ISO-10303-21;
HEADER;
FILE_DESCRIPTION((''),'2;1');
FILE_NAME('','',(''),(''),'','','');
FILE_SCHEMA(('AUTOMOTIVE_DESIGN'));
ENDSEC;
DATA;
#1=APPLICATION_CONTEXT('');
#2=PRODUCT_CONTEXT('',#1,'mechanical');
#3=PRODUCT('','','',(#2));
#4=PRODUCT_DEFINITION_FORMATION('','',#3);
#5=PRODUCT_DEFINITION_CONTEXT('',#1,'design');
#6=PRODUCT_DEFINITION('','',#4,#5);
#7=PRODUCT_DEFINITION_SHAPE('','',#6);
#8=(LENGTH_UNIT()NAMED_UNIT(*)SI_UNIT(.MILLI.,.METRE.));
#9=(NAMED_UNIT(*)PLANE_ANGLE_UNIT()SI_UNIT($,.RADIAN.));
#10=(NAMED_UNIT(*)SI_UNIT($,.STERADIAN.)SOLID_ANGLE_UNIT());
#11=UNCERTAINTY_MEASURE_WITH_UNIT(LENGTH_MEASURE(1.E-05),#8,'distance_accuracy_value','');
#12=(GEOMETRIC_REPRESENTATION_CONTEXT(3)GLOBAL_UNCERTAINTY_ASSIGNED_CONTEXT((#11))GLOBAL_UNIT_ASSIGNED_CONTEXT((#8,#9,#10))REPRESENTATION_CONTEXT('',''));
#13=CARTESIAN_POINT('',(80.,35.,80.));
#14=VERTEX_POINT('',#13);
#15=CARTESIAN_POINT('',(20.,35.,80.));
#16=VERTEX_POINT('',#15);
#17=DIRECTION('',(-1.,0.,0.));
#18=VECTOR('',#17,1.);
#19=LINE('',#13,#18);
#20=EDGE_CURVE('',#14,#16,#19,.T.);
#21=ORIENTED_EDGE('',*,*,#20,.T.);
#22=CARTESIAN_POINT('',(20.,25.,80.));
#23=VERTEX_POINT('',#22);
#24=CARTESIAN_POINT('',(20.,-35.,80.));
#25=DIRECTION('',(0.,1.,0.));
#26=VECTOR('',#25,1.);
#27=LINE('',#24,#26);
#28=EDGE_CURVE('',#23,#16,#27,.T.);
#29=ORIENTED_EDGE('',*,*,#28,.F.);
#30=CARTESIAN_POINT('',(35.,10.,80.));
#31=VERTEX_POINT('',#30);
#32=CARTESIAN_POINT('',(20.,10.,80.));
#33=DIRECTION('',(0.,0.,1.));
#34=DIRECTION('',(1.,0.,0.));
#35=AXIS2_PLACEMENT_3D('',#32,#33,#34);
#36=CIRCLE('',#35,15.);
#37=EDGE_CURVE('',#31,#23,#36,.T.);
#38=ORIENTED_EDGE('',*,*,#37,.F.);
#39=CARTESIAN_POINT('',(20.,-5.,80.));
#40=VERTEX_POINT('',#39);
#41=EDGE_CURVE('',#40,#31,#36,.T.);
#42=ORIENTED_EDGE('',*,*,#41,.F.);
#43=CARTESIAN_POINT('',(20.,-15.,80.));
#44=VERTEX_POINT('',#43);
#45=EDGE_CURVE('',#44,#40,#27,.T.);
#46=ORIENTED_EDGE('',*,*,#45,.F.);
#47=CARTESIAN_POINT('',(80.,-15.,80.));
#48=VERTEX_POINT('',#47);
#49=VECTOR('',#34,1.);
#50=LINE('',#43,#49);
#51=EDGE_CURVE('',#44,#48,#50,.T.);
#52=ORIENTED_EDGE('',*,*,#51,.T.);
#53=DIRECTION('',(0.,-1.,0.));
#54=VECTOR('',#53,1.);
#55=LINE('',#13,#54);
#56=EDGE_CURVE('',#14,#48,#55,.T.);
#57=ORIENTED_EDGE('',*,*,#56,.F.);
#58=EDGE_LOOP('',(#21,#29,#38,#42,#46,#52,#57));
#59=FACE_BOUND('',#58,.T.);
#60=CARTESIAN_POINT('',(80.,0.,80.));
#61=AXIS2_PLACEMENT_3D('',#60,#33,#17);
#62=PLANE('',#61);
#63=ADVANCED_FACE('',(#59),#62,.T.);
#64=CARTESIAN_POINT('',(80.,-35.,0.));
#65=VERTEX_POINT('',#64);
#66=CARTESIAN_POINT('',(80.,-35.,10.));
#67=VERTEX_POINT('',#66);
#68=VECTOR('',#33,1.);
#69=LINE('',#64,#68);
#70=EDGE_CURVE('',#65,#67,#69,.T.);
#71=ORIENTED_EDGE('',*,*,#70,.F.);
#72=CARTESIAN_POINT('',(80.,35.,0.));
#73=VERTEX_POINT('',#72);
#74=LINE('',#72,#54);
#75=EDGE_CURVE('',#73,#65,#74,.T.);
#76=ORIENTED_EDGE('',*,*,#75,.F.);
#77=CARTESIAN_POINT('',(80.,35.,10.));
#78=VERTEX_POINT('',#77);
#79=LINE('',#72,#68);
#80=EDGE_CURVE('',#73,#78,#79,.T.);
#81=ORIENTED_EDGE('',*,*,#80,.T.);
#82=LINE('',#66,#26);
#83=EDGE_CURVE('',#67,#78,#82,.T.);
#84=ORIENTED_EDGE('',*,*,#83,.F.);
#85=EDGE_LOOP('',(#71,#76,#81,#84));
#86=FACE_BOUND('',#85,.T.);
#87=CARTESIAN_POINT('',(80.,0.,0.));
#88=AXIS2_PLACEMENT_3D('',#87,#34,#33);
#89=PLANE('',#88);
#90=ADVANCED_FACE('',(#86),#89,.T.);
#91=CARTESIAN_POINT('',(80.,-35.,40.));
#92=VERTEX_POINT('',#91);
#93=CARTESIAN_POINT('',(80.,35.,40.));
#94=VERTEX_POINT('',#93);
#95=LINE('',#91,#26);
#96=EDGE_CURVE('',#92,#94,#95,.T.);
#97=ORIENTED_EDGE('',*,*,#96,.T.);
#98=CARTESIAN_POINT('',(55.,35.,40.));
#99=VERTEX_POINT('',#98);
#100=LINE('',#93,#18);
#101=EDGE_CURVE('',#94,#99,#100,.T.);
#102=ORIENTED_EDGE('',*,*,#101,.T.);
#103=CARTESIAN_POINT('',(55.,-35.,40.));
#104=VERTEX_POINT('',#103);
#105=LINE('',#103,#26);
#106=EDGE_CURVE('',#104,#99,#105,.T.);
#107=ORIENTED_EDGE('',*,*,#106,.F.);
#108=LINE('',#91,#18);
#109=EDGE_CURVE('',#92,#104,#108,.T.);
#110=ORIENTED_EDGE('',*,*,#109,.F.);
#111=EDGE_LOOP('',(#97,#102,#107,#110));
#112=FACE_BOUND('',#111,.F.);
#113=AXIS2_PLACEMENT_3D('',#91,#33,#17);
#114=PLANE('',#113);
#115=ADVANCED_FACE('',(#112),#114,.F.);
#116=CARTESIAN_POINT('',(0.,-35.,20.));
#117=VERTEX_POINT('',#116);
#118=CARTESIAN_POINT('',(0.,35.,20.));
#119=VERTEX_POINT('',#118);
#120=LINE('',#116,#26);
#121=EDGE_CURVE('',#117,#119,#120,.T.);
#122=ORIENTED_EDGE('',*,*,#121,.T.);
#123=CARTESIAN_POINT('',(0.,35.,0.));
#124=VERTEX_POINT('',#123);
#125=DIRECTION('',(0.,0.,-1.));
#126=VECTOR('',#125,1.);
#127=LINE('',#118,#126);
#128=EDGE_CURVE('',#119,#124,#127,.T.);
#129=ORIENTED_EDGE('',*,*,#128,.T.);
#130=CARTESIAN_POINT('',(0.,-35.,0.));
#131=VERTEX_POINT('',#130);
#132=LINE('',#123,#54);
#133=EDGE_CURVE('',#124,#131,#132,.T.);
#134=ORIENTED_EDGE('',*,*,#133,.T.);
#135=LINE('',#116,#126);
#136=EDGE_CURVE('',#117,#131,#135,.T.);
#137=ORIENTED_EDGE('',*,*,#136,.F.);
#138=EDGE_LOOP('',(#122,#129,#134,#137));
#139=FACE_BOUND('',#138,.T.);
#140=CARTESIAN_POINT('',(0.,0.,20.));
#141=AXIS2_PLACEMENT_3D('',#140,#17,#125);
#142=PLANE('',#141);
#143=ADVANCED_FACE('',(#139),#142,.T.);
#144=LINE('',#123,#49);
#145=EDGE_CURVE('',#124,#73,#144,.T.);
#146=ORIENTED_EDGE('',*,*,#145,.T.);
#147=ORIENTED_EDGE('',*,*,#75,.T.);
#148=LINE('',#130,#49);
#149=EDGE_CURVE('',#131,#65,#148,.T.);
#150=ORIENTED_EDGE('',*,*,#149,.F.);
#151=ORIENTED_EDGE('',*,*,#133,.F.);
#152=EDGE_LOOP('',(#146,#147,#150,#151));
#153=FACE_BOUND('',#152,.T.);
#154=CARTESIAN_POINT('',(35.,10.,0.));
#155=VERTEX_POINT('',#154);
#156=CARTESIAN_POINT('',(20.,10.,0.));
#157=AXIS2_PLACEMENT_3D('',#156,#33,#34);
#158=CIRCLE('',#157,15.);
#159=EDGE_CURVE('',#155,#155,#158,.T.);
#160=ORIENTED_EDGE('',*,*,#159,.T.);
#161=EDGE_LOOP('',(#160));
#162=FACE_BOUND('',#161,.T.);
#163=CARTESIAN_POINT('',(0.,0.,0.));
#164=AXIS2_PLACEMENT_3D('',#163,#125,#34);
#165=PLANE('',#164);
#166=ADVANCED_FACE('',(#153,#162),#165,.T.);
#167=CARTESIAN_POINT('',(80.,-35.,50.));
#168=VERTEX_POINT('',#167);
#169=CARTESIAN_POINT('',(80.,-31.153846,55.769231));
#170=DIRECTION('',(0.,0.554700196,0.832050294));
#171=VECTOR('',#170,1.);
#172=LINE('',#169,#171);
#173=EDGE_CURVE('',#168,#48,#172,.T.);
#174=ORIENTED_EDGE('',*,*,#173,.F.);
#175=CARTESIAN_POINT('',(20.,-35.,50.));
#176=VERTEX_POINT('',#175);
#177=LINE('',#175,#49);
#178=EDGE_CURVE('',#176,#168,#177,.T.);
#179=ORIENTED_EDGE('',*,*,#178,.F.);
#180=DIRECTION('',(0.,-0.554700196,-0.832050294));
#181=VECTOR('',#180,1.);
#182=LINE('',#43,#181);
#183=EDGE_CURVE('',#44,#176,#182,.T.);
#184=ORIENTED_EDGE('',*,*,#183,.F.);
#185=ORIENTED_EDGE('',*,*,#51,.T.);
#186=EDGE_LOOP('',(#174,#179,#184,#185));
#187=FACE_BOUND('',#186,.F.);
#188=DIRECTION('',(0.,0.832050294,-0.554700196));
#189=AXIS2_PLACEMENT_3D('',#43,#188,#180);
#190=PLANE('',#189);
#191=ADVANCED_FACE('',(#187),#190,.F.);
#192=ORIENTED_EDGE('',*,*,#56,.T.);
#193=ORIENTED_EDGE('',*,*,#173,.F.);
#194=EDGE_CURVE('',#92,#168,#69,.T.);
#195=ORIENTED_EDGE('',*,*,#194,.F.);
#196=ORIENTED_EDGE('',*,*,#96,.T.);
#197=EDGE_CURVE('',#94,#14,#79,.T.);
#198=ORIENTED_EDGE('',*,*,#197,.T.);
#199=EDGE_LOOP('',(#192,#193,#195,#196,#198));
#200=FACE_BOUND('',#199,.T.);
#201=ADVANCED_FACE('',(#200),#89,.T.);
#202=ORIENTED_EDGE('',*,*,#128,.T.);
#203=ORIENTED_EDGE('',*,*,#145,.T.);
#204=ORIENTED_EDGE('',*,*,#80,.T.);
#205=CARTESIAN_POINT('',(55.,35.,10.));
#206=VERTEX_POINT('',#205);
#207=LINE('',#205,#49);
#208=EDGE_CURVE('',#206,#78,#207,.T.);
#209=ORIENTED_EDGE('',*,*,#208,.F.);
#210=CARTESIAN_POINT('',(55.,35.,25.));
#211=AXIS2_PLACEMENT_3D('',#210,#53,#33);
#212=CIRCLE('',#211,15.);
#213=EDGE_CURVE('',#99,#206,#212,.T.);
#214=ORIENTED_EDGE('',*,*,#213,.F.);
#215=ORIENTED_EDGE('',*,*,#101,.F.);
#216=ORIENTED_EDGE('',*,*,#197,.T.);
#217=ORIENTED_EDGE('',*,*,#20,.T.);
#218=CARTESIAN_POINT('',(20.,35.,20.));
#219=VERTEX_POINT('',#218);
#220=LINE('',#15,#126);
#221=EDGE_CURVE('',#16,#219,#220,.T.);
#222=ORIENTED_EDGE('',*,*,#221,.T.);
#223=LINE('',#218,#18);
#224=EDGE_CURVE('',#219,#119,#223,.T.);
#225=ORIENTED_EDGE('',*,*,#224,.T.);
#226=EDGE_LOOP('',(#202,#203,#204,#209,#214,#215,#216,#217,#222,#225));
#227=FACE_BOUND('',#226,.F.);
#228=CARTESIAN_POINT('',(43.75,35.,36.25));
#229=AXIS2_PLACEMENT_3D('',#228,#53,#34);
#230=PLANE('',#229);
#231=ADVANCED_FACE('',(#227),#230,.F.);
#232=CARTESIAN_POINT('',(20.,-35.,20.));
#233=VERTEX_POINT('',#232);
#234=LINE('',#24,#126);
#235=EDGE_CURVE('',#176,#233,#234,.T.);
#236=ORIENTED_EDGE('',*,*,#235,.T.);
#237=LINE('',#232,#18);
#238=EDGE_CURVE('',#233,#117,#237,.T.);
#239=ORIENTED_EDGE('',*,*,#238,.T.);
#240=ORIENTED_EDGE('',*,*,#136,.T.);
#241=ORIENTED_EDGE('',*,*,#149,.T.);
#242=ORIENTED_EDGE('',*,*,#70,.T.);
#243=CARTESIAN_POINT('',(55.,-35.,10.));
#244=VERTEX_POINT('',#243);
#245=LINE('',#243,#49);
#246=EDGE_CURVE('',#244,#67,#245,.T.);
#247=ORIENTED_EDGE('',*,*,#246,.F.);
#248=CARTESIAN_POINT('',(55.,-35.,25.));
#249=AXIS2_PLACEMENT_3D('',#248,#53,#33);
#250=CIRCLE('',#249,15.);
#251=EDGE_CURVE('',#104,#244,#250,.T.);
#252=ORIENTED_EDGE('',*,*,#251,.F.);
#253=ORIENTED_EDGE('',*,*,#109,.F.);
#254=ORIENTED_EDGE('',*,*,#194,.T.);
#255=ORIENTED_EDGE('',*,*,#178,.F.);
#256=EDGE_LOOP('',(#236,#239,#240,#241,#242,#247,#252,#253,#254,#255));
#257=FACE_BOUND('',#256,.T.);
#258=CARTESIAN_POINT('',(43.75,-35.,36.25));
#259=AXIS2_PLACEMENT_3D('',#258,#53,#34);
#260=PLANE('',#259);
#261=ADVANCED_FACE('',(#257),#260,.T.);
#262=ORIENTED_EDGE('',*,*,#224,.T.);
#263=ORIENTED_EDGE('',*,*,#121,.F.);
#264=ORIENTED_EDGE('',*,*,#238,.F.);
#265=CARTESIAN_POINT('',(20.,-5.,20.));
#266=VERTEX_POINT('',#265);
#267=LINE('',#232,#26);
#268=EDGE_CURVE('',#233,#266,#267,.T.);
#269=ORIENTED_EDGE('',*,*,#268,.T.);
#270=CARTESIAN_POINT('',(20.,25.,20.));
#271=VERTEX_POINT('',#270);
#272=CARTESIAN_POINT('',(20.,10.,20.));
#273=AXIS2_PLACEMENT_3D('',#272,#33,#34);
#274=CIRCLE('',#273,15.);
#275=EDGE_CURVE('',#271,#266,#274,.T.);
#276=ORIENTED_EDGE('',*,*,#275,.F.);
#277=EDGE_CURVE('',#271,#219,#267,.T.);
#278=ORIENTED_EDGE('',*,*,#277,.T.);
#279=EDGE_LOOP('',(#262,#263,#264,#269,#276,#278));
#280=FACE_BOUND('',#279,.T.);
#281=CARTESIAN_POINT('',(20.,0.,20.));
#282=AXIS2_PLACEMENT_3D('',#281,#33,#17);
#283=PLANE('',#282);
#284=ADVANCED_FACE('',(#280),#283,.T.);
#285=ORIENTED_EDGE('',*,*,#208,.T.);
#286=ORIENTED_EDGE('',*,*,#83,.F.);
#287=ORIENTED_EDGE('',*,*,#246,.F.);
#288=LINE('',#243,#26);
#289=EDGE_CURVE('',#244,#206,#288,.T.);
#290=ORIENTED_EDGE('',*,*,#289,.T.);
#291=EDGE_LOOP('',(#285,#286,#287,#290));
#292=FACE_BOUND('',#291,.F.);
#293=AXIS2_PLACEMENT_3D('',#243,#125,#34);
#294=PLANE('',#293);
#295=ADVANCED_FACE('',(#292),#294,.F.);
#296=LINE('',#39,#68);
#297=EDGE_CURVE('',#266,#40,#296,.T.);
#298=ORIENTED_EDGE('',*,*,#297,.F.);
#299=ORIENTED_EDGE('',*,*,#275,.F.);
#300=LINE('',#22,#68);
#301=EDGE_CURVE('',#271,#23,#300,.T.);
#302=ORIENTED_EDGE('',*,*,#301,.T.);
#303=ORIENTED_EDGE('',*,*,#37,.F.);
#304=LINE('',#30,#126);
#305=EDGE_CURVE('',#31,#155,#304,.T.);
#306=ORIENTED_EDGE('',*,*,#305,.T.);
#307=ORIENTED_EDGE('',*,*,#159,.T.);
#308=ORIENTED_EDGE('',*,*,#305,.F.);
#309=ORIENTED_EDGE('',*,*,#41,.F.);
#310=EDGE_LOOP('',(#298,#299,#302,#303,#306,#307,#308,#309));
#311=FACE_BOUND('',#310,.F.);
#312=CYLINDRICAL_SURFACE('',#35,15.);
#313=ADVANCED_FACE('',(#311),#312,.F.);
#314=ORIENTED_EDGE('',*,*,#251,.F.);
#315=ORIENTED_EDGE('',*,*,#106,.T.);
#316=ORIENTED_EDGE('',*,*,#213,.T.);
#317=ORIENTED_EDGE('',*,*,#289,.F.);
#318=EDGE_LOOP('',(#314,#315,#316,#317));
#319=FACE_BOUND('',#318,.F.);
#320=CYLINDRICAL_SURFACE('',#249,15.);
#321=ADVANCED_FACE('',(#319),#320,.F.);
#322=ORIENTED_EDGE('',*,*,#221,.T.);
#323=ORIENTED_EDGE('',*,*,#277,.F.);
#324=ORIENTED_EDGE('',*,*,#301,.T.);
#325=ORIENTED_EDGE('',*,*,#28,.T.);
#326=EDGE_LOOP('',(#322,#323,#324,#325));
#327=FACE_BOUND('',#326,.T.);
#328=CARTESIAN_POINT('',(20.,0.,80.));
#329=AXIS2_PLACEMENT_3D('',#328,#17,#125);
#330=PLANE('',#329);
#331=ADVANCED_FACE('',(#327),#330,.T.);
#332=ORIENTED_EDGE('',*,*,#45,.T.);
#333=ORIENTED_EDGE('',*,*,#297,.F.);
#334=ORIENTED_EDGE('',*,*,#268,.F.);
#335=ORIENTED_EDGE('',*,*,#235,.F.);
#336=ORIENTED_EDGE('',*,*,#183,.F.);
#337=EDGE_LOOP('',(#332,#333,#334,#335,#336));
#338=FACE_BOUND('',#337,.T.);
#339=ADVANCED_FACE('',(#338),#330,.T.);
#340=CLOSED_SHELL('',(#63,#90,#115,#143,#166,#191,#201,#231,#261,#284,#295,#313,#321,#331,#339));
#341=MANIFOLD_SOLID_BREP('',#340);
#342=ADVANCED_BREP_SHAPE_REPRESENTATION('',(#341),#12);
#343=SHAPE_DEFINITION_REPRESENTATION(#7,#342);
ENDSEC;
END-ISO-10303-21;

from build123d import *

# Parameters (mm, degrees)
F1_DEPTH = 35
F3_DEPTH = 70
F4_R     = 15
F5_DEPTH = 80.001
F7_DEPTH = 60.001


with BuildPart() as f1:
    # F0 (on Front) → F1 (new body, symmetric)
    with BuildSketch(Plane.XZ):
        Polygon((0, 20), (0, 0), (80, 0), (80, 80), (20, 80), (20, 20), align=None)
    extrude(amount=F1_DEPTH, both=True)

    # F2 (on face) → F3 (cut, through all)
    with BuildSketch(Plane.XZ.offset(35)):
        with BuildLine():
            Line((80, 40), (55, 40))
            ThreePointArc((55, 40), (40, 25), (55, 10))
            Line((55, 10), (80, 10))
            Line((80, 10), (80, 40))
        make_face()
    extrude(amount=-F3_DEPTH, mode=Mode.SUBTRACT)

    # F4 (on face) → F5 (cut, through all)
    with BuildSketch(Plane.XY.offset(80)):
        with Locations((20, 10)):
            Circle(F4_R)
    extrude(amount=-F5_DEPTH, mode=Mode.SUBTRACT)

    # F6 (on face) → F7 (cut, through all)
    with BuildSketch(Plane(origin=(20, 0, 0), x_dir=(0, -1, 0), z_dir=(-1, 0, 0))):
        Polygon((35, 80), (15, 80), (35, 50), align=None)
    extrude(amount=-F7_DEPTH, mode=Mode.SUBTRACT)


solid = f1.part
